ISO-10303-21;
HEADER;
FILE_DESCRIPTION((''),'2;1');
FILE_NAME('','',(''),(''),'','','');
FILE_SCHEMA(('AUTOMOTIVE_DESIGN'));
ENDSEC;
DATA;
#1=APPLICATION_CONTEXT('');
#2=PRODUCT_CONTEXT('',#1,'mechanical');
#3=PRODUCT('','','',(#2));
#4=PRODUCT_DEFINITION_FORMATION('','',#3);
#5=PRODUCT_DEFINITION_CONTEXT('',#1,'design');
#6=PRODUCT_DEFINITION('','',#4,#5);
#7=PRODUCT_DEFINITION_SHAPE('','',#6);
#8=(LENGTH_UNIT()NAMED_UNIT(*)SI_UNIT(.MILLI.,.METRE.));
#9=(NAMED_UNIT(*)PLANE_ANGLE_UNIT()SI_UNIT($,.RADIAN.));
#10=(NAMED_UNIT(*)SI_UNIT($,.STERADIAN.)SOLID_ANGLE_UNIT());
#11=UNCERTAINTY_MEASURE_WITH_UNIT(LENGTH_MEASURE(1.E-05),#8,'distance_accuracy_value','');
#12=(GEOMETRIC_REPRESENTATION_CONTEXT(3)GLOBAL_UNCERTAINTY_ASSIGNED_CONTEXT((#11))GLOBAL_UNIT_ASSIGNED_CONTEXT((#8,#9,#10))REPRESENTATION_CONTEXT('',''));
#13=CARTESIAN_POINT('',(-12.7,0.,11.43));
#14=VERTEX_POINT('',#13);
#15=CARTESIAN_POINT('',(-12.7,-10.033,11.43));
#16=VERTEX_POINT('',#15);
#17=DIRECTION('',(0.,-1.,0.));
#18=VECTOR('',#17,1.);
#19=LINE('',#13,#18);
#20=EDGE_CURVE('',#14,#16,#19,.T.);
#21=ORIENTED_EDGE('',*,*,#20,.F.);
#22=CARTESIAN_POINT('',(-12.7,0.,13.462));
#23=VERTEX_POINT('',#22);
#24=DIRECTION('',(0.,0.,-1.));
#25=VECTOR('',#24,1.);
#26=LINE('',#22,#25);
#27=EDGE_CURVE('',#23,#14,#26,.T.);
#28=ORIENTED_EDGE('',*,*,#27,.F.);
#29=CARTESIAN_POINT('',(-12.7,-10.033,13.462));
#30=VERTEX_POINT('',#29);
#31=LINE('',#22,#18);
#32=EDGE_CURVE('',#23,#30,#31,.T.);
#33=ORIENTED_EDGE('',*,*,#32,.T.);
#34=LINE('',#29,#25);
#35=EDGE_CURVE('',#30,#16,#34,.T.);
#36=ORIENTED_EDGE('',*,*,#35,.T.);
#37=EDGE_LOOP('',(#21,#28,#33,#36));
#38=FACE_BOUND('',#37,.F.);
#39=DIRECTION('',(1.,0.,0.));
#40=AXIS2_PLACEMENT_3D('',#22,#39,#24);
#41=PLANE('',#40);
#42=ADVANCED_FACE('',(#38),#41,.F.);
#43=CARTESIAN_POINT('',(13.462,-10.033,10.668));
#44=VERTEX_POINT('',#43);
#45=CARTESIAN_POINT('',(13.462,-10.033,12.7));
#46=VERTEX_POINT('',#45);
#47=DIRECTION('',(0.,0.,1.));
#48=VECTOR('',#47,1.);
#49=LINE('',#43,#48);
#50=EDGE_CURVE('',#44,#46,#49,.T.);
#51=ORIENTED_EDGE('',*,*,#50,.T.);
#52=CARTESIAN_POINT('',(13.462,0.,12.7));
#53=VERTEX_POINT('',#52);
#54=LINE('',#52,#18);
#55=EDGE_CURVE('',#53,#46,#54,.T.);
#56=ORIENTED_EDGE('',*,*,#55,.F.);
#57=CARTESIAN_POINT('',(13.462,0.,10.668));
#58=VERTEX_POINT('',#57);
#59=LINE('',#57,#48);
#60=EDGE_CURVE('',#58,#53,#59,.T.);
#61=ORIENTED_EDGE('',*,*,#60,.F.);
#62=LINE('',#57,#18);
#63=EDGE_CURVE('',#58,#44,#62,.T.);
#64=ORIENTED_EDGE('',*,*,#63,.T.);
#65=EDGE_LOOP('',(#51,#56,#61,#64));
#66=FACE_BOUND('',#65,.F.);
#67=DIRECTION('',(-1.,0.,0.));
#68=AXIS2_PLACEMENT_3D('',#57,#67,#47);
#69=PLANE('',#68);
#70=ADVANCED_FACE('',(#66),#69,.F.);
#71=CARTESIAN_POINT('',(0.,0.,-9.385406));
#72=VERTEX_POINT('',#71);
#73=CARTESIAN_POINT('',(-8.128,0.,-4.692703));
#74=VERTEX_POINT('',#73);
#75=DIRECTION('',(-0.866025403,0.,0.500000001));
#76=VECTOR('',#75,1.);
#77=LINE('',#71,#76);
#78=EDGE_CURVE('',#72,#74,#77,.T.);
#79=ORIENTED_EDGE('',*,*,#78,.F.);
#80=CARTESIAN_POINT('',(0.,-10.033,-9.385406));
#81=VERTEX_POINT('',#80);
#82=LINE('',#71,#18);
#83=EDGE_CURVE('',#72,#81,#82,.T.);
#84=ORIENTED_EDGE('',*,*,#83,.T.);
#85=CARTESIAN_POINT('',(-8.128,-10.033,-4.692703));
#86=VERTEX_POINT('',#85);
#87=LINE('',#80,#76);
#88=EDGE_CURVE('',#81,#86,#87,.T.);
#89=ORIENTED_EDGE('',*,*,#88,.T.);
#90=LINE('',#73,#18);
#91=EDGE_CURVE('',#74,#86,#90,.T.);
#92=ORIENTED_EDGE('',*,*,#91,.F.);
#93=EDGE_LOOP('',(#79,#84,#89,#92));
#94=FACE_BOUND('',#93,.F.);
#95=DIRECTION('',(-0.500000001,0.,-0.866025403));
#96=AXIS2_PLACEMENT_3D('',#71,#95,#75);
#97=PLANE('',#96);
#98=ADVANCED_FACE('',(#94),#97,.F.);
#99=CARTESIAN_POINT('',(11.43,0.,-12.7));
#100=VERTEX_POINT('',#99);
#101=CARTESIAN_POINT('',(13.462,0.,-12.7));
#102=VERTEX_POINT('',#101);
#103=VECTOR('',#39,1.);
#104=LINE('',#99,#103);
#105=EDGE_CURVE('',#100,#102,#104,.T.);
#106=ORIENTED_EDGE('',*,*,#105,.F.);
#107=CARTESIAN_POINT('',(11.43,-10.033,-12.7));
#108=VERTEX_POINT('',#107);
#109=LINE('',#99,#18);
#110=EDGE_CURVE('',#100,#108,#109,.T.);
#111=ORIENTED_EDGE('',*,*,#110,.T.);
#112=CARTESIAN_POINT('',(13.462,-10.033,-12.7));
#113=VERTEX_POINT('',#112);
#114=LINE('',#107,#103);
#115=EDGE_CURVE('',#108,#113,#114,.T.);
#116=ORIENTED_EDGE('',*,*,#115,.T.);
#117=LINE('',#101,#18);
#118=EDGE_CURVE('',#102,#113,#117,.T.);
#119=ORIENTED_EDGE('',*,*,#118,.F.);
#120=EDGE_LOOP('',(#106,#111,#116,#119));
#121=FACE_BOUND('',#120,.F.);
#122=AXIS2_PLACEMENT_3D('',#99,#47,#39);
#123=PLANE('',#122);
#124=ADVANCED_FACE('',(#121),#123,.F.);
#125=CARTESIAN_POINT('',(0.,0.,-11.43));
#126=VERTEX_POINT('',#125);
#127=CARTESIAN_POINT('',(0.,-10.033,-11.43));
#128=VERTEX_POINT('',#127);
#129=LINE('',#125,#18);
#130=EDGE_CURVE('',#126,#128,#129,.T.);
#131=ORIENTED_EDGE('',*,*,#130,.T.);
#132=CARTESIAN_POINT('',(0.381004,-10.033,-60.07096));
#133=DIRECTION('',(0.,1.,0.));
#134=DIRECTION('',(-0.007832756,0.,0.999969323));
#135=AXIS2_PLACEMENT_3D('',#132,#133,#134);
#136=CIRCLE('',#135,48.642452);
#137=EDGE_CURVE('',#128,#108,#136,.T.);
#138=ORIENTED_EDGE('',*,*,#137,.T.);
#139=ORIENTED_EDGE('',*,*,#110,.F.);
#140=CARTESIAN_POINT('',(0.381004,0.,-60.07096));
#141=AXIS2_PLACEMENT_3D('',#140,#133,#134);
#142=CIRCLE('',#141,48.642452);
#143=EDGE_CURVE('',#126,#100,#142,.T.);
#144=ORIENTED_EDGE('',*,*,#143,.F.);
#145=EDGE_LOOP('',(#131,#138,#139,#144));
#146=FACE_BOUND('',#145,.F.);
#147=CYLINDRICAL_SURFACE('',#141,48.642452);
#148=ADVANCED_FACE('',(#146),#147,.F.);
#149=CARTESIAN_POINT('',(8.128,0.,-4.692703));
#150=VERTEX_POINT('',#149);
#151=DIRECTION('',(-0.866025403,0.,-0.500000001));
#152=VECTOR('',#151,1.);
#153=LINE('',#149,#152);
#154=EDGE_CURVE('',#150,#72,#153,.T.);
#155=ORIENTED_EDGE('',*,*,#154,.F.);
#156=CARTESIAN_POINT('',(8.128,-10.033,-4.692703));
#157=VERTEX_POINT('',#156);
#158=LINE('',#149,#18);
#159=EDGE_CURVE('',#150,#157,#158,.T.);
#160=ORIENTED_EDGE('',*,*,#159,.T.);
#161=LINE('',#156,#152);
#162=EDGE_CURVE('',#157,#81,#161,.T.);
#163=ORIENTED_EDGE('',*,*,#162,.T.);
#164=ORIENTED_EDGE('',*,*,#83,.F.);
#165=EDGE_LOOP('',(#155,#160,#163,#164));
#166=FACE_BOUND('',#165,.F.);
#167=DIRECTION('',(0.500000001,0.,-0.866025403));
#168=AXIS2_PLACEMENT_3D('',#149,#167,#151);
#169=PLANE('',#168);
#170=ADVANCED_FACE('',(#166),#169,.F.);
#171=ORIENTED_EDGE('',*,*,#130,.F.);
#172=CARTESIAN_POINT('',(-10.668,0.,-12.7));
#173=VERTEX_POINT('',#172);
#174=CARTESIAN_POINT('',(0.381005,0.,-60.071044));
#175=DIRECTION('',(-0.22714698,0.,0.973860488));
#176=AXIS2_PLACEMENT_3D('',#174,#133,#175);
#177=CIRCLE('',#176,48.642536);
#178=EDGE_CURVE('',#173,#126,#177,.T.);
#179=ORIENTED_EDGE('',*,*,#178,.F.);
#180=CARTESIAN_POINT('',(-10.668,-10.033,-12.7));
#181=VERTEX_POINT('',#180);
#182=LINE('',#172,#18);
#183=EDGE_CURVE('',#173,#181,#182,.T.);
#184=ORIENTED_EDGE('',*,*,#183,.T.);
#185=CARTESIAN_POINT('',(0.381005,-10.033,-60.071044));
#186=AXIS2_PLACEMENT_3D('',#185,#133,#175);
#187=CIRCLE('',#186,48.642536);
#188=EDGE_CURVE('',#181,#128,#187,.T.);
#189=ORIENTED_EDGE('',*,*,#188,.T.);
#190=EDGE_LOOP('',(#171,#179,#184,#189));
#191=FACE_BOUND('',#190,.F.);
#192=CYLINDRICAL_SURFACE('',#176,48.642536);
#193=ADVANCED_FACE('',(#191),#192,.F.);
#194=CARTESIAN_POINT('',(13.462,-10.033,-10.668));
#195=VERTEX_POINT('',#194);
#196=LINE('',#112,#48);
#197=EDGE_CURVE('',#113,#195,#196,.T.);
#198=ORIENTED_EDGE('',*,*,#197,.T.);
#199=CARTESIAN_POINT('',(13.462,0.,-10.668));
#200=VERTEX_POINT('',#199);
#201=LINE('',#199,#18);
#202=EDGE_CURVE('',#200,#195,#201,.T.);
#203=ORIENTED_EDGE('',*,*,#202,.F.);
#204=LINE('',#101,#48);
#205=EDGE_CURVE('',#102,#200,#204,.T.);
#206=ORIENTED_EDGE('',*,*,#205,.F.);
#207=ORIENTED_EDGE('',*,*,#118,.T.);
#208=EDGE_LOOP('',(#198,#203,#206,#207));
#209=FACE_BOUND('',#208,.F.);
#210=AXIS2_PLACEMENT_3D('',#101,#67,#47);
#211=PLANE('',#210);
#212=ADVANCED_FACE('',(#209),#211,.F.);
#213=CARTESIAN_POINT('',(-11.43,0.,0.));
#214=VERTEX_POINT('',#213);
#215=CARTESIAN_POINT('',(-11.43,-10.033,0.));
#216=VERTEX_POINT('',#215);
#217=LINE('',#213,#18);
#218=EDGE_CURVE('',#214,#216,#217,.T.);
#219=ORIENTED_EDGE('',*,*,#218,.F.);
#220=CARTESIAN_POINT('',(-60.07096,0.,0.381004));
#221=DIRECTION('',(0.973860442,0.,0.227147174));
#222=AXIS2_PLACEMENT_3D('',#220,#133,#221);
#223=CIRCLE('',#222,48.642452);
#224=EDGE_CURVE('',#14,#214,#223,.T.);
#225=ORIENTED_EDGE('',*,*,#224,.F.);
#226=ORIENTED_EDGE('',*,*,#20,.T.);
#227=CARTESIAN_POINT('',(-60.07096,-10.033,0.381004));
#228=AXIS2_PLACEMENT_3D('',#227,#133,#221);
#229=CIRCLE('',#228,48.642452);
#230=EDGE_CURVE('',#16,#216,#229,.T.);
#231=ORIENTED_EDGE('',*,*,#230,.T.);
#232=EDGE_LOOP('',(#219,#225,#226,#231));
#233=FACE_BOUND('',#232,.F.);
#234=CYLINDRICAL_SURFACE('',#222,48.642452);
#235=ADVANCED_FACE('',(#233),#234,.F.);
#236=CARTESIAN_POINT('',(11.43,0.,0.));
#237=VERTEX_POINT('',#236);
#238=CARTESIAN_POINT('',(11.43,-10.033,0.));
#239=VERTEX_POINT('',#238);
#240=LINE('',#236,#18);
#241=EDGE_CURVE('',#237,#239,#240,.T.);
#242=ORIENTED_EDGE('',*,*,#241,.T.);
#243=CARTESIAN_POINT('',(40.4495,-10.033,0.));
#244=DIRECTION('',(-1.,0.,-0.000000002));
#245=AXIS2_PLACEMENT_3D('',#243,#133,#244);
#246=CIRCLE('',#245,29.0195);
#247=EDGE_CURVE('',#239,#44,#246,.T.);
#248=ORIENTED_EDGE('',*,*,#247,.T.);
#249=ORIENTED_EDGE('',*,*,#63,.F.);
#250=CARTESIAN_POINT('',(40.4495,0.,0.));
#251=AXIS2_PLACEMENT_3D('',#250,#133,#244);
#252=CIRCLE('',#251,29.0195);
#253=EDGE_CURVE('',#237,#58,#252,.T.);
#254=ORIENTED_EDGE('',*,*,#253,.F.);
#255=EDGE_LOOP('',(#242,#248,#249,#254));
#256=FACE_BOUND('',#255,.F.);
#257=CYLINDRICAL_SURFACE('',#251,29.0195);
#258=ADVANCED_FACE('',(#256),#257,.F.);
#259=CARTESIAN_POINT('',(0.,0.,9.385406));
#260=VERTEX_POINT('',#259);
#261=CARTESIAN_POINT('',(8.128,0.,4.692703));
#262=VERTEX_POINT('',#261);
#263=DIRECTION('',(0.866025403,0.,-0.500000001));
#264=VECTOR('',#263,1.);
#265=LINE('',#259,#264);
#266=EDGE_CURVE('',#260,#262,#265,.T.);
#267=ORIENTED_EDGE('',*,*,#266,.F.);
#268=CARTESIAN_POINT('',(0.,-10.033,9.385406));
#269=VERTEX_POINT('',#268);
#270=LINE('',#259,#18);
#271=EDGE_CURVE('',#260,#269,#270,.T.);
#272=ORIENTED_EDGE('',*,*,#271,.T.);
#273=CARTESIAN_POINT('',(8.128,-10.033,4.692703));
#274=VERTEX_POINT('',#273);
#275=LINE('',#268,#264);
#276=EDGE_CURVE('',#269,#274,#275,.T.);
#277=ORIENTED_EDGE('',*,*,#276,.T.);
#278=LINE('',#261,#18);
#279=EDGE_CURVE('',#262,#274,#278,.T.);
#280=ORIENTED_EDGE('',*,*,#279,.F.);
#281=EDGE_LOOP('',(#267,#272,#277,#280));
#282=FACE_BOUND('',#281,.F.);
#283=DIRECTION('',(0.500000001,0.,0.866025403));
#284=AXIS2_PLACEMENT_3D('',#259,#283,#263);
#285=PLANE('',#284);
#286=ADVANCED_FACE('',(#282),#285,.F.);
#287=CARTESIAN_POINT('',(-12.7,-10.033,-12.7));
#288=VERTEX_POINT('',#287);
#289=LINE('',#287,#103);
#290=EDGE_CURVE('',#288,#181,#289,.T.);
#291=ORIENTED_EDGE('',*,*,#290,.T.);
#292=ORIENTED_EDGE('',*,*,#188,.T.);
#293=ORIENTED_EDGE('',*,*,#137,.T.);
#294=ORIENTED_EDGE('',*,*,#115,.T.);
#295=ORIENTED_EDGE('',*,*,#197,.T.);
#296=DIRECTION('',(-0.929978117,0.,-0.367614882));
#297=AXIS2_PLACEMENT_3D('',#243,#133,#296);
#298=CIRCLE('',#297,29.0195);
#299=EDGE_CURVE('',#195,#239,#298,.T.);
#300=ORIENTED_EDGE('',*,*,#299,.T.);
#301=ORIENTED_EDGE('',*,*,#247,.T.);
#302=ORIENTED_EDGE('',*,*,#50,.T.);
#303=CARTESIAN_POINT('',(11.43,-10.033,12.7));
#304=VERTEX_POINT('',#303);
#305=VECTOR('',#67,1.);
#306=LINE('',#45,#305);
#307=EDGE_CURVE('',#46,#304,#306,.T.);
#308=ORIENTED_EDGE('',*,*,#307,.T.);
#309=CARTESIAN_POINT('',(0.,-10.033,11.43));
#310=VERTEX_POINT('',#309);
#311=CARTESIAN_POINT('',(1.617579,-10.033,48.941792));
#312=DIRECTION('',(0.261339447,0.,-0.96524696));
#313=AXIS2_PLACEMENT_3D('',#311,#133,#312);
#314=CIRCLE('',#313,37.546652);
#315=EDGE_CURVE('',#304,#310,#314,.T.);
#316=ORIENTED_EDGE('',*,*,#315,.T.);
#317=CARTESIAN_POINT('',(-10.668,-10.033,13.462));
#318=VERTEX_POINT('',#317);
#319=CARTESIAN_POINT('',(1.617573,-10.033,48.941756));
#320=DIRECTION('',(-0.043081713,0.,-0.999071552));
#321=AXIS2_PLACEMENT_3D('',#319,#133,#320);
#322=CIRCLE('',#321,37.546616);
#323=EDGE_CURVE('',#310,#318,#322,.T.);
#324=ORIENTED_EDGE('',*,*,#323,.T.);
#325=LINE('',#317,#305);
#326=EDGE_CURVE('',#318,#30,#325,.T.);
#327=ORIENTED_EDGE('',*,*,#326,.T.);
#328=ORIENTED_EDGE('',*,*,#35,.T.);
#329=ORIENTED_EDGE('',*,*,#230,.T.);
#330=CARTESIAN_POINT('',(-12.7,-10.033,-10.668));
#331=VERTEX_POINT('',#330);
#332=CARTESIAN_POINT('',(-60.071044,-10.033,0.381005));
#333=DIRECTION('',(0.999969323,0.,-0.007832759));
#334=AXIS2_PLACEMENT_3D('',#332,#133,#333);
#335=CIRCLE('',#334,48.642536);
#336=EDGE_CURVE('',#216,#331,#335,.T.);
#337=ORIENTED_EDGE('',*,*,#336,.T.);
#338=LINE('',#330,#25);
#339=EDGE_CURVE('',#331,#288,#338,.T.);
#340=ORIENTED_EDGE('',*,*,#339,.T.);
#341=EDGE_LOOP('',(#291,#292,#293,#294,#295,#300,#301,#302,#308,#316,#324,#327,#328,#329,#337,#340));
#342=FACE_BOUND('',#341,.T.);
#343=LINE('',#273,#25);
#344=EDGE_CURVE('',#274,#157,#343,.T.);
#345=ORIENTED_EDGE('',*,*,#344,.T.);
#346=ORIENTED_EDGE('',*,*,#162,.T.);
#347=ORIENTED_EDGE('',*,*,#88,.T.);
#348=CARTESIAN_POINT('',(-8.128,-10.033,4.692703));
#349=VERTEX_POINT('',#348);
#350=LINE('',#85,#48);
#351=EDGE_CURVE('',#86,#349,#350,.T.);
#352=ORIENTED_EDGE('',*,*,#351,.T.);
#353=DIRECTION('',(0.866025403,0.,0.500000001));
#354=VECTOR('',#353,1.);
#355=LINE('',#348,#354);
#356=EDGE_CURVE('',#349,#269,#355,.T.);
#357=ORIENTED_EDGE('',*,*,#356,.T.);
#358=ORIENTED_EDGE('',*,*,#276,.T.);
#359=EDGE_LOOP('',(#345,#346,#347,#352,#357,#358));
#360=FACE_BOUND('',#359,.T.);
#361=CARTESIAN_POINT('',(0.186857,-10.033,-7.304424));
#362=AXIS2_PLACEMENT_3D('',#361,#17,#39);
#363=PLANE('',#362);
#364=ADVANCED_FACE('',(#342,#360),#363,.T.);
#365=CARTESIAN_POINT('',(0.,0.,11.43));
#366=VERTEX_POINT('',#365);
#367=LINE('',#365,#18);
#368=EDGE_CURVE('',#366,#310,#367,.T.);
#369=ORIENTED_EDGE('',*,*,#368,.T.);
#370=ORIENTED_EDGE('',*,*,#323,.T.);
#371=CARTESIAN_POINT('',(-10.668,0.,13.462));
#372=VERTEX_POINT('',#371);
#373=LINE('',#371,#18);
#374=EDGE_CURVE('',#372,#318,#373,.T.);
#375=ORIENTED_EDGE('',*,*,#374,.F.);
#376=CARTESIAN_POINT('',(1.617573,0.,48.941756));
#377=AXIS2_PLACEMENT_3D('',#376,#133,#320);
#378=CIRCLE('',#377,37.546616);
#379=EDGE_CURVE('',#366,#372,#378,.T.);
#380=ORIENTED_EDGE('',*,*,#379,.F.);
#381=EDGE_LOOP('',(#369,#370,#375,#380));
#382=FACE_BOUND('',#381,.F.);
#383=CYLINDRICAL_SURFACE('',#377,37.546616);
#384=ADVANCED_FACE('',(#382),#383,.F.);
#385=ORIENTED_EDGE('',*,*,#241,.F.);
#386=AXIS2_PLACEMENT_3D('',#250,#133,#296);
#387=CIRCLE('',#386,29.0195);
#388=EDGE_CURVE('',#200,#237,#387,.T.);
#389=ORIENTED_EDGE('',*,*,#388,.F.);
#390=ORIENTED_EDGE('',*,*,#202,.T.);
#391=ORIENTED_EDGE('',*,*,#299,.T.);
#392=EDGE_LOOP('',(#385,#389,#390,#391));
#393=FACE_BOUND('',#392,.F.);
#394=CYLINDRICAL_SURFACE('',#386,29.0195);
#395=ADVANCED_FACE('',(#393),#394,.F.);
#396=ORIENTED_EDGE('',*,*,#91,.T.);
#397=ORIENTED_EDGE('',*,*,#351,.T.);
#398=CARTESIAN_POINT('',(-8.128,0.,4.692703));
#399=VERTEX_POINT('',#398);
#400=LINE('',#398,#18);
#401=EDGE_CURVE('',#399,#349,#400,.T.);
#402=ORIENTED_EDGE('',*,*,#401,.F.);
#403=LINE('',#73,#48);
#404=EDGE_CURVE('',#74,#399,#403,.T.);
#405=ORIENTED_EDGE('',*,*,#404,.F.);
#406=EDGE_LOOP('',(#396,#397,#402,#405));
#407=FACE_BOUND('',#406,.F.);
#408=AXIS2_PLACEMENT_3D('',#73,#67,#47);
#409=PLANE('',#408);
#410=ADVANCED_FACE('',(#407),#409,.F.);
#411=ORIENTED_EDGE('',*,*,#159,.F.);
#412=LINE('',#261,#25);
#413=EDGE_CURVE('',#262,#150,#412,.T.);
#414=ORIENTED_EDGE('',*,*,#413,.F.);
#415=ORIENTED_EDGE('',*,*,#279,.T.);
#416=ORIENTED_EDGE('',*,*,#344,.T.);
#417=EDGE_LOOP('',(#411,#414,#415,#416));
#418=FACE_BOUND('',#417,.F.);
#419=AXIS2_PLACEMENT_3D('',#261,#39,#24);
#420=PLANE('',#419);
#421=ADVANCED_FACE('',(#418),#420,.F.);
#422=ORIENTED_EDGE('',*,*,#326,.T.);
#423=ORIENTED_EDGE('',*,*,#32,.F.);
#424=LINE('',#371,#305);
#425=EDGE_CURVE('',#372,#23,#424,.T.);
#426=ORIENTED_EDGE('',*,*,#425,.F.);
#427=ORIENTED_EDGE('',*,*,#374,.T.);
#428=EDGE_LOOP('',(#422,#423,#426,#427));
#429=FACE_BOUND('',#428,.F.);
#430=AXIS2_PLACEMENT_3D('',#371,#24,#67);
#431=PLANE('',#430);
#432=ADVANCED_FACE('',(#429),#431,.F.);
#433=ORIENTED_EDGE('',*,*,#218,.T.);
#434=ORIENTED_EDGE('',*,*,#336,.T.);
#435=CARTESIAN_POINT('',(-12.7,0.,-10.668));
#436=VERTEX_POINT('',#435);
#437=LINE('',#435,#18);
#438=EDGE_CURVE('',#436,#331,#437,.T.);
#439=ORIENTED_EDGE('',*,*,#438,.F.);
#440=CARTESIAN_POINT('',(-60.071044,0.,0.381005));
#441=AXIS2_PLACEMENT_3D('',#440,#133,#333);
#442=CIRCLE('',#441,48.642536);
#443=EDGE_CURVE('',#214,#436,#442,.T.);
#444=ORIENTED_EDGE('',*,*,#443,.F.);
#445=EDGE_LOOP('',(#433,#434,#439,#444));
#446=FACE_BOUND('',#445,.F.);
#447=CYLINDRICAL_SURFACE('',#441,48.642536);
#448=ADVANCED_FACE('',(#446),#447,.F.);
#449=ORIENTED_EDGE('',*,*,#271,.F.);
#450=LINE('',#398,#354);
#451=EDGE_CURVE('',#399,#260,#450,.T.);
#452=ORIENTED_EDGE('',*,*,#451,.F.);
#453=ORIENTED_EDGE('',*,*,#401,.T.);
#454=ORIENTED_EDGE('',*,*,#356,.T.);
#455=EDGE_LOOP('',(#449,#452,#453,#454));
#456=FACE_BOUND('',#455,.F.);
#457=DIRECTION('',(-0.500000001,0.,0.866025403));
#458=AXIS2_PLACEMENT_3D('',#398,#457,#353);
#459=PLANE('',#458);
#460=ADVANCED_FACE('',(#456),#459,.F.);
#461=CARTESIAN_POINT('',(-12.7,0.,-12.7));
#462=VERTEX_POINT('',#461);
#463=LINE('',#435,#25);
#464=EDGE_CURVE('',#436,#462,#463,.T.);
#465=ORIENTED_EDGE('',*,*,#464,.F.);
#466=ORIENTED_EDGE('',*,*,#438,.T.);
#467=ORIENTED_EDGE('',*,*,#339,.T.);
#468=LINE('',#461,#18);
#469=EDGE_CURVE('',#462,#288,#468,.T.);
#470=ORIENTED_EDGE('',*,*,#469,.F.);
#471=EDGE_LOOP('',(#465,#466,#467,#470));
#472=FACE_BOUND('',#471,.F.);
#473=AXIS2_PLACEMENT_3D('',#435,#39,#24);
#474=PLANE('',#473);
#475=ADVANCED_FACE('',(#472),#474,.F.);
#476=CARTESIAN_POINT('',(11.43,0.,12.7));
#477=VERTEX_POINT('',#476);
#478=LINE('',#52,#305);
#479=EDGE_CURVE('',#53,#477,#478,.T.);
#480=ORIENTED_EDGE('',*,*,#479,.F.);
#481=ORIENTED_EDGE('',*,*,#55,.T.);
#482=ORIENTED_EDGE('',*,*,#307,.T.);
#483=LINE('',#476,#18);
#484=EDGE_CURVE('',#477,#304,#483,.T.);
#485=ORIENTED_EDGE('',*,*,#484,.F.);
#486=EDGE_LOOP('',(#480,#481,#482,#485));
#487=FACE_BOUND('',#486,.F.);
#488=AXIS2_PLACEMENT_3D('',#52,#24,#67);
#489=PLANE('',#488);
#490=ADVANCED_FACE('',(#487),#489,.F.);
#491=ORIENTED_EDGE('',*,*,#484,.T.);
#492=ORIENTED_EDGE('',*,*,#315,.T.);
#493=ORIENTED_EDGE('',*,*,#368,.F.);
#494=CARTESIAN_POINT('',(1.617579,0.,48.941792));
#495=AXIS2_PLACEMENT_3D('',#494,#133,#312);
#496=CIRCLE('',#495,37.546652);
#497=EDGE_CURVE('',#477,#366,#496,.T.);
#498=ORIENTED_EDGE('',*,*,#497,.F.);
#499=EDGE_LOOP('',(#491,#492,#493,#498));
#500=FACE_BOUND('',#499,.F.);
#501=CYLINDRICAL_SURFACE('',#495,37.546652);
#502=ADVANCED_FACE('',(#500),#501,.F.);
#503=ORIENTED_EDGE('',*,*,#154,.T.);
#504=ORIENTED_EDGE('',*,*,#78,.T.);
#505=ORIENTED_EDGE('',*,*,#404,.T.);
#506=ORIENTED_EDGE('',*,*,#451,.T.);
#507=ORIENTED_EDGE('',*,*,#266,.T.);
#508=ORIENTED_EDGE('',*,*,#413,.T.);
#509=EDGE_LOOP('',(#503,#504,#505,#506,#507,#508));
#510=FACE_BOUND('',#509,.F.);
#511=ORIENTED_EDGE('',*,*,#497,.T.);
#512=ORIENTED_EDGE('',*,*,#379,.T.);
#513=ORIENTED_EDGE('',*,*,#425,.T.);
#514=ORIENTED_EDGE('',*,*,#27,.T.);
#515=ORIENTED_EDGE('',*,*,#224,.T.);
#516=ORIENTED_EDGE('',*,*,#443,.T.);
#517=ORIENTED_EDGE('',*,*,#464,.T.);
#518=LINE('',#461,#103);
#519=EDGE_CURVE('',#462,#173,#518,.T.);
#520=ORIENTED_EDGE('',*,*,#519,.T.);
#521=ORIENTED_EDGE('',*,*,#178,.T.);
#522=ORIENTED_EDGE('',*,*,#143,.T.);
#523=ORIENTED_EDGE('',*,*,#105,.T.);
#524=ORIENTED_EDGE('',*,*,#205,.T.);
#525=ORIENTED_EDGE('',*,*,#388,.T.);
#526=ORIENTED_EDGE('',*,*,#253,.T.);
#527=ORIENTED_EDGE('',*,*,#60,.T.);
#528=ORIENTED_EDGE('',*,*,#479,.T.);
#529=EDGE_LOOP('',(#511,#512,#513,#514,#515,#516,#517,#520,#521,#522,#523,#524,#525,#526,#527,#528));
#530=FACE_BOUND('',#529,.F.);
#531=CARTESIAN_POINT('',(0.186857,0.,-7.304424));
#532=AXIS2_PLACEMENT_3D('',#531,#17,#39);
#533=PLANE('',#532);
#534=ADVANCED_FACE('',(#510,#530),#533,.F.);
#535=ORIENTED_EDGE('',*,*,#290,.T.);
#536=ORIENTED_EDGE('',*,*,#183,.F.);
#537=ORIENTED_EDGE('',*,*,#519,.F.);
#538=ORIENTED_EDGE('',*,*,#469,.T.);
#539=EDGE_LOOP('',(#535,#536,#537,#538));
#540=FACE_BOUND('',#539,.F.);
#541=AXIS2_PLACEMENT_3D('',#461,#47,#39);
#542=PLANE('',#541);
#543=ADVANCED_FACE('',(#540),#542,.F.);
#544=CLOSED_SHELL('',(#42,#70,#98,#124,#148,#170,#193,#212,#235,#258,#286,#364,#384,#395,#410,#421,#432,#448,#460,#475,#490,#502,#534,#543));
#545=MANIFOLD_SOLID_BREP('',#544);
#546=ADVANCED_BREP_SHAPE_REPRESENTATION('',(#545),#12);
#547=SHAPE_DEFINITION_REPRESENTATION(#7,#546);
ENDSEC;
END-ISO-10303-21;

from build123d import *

# Parameters (mm, degrees)
F1_DEPTH = 10.033


with BuildPart() as f1:
    # F0 (on Front) → F1 (new body)
    with BuildSketch(Plane.XZ):
        with BuildLine():
            Line((11.43, 0), (8.128, 0))
            Line((8.128, 0), (8.128, -4.692703))
            Line((8.128, -4.692703), (0, -9.385406))
            Line((0, -9.385406), (-8.128, -4.692703))
            Line((-8.128, -4.692703), (-8.128, 0))
            Line((-8.128, 0), (-10.16, 0))
            Line((-10.16, 0), (-11.43, 0))
            ThreePointArc((-11.43, 0), (-11.769576, -5.36917), (-12.7, -10.668))
            Line((-12.7, -10.668), (-12.7, -12.7))
            Line((-12.7, -12.7), (-10.668, -12.7))
            ThreePointArc((-10.668, -12.7), (-5.36917, -11.769576), (0, -11.43))
            ThreePointArc((0, -11.43), (5.752665, -11.726018), (11.43, -12.7))
            Line((11.43, -12.7), (13.462, -12.7))
            Line((13.462, -12.7), (13.462, -11.684))
            Line((13.462, -11.684), (13.462, -10.668))
            ThreePointArc((13.462, -10.668), (11.942526, -5.4299), (11.43, 0))
        make_face()
        with BuildLine():
            Line((8.128, 4.692703), (8.128, 0))
            Line((8.128, 0), (11.43, 0))
            ThreePointArc((11.43, 0), (11.942526, 5.4299), (13.462, 10.668))
            Line((13.462, 10.668), (13.462, 11.684))
            Line((13.462, 11.684), (13.462, 12.7))
            Line((13.462, 12.7), (11.43, 12.7))
            ThreePointArc((11.43, 12.7), (5.763913, 11.624785), (0, 11.43))
            ThreePointArc((0, 11.43), (-5.407854, 12.058267), (-10.668, 13.462))
            Line((-10.668, 13.462), (-12.7, 13.462))
            Line((-12.7, 13.462), (-12.7, 11.43))
            ThreePointArc((-12.7, 11.43), (-11.726018, 5.752665), (-11.43, 0))
            Line((-11.43, 0), (-10.16, 0))
            Line((-10.16, 0), (-8.128, 0))
            Line((-8.128, 0), (-8.128, 4.692703))
            Line((-8.128, 4.692703), (0, 9.385406))
            Line((0, 9.385406), (8.128, 4.692703))
        make_face()
    extrude(amount=F1_DEPTH)


solid = f1.part
